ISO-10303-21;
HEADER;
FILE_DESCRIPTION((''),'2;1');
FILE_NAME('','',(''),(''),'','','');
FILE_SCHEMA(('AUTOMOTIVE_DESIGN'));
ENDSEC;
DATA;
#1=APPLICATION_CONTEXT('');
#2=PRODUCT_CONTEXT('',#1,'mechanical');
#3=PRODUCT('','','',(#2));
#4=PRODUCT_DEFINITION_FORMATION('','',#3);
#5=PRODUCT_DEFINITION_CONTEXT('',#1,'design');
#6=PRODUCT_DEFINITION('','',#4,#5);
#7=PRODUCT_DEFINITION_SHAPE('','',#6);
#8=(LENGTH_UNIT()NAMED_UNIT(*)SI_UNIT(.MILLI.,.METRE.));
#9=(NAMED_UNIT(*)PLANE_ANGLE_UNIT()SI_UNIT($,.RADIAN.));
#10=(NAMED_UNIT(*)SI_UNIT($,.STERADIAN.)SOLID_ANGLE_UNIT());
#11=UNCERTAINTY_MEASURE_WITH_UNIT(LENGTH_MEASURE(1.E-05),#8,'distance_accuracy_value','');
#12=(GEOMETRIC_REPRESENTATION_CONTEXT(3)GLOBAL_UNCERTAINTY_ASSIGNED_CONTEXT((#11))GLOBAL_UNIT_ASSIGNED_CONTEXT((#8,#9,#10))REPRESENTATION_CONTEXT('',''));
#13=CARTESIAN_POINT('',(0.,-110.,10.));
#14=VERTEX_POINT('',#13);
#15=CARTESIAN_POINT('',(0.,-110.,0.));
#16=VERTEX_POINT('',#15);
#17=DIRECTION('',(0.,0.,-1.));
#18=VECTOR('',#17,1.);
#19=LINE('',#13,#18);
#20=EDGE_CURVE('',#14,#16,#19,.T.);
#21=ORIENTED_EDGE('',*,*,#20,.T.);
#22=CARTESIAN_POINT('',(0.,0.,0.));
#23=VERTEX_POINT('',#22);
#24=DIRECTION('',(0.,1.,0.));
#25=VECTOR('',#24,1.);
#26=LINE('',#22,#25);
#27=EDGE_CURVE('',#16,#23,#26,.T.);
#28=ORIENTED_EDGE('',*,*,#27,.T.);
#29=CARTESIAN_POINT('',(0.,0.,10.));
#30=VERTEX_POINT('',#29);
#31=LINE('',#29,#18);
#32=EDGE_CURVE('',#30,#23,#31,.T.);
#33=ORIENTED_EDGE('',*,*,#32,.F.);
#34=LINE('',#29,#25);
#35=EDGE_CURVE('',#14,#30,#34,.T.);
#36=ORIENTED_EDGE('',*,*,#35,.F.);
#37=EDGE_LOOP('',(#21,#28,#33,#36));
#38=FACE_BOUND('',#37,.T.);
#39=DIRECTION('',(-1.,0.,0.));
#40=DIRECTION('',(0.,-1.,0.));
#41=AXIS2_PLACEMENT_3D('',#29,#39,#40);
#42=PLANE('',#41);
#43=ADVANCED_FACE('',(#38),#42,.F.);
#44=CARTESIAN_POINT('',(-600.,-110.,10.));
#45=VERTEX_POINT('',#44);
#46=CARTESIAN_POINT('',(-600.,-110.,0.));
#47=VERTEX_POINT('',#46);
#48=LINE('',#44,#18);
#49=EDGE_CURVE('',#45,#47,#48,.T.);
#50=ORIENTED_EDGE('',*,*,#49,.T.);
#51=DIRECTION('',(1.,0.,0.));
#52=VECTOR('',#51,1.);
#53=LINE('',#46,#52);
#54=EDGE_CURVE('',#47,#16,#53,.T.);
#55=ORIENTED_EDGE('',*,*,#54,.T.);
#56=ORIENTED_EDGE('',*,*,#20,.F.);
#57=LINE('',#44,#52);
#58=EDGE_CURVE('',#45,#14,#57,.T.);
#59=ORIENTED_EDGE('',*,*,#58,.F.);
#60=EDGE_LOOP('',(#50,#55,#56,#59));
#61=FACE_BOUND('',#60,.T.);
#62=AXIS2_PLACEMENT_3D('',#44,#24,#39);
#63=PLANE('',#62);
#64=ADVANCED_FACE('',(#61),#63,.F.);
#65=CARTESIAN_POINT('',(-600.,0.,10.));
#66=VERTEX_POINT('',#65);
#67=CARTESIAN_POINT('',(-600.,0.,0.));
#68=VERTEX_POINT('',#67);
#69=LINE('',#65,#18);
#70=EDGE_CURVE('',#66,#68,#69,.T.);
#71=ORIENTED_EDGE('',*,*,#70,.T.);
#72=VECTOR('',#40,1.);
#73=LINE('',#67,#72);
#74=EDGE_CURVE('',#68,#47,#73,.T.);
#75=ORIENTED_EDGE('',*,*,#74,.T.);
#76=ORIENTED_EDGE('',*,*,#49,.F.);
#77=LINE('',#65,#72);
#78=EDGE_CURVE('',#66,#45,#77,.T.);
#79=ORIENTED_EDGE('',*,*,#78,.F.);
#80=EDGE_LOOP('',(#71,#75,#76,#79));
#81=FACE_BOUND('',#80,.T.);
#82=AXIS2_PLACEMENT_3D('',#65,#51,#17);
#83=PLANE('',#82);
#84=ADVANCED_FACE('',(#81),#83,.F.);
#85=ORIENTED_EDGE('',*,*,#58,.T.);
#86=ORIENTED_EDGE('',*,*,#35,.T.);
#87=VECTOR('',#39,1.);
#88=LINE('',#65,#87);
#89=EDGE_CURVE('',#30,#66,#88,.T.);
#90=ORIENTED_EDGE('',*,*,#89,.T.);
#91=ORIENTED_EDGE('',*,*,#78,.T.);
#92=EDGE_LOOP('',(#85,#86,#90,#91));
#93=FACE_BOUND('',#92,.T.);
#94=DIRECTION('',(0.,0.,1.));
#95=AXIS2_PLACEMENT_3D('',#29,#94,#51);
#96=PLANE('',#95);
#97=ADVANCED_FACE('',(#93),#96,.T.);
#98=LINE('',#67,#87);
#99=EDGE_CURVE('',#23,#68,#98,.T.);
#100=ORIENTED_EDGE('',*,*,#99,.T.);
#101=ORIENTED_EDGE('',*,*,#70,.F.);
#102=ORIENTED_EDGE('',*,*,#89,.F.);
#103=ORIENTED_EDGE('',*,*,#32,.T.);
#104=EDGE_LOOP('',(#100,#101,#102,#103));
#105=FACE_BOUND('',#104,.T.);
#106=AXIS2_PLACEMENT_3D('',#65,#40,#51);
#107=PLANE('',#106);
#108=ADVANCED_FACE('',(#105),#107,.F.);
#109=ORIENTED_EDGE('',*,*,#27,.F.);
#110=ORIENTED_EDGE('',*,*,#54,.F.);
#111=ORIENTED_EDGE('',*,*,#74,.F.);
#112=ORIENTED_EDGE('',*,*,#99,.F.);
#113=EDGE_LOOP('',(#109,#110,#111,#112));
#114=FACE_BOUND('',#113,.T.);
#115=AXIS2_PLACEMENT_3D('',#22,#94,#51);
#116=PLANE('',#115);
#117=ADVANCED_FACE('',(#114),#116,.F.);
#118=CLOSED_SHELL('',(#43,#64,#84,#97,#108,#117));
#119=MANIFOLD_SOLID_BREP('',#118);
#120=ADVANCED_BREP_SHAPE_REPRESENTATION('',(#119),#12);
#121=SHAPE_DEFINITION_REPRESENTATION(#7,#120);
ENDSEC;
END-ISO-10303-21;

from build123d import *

# Parameters (mm, degrees)
ESQUISSE1_W        = 600
ESQUISSE1_H        = 110
BOSS_EXTRU_1_DEPTH = 10


with BuildPart() as part:
    # Esquisse1 → Boss.-Extru.1 (new body)
    with BuildSketch(Plane.XY):
        with Locations((-300, -55)):
            Rectangle(ESQUISSE1_W, ESQUISSE1_H)
    extrude(amount=BOSS_EXTRU_1_DEPTH)


solid = part.part
